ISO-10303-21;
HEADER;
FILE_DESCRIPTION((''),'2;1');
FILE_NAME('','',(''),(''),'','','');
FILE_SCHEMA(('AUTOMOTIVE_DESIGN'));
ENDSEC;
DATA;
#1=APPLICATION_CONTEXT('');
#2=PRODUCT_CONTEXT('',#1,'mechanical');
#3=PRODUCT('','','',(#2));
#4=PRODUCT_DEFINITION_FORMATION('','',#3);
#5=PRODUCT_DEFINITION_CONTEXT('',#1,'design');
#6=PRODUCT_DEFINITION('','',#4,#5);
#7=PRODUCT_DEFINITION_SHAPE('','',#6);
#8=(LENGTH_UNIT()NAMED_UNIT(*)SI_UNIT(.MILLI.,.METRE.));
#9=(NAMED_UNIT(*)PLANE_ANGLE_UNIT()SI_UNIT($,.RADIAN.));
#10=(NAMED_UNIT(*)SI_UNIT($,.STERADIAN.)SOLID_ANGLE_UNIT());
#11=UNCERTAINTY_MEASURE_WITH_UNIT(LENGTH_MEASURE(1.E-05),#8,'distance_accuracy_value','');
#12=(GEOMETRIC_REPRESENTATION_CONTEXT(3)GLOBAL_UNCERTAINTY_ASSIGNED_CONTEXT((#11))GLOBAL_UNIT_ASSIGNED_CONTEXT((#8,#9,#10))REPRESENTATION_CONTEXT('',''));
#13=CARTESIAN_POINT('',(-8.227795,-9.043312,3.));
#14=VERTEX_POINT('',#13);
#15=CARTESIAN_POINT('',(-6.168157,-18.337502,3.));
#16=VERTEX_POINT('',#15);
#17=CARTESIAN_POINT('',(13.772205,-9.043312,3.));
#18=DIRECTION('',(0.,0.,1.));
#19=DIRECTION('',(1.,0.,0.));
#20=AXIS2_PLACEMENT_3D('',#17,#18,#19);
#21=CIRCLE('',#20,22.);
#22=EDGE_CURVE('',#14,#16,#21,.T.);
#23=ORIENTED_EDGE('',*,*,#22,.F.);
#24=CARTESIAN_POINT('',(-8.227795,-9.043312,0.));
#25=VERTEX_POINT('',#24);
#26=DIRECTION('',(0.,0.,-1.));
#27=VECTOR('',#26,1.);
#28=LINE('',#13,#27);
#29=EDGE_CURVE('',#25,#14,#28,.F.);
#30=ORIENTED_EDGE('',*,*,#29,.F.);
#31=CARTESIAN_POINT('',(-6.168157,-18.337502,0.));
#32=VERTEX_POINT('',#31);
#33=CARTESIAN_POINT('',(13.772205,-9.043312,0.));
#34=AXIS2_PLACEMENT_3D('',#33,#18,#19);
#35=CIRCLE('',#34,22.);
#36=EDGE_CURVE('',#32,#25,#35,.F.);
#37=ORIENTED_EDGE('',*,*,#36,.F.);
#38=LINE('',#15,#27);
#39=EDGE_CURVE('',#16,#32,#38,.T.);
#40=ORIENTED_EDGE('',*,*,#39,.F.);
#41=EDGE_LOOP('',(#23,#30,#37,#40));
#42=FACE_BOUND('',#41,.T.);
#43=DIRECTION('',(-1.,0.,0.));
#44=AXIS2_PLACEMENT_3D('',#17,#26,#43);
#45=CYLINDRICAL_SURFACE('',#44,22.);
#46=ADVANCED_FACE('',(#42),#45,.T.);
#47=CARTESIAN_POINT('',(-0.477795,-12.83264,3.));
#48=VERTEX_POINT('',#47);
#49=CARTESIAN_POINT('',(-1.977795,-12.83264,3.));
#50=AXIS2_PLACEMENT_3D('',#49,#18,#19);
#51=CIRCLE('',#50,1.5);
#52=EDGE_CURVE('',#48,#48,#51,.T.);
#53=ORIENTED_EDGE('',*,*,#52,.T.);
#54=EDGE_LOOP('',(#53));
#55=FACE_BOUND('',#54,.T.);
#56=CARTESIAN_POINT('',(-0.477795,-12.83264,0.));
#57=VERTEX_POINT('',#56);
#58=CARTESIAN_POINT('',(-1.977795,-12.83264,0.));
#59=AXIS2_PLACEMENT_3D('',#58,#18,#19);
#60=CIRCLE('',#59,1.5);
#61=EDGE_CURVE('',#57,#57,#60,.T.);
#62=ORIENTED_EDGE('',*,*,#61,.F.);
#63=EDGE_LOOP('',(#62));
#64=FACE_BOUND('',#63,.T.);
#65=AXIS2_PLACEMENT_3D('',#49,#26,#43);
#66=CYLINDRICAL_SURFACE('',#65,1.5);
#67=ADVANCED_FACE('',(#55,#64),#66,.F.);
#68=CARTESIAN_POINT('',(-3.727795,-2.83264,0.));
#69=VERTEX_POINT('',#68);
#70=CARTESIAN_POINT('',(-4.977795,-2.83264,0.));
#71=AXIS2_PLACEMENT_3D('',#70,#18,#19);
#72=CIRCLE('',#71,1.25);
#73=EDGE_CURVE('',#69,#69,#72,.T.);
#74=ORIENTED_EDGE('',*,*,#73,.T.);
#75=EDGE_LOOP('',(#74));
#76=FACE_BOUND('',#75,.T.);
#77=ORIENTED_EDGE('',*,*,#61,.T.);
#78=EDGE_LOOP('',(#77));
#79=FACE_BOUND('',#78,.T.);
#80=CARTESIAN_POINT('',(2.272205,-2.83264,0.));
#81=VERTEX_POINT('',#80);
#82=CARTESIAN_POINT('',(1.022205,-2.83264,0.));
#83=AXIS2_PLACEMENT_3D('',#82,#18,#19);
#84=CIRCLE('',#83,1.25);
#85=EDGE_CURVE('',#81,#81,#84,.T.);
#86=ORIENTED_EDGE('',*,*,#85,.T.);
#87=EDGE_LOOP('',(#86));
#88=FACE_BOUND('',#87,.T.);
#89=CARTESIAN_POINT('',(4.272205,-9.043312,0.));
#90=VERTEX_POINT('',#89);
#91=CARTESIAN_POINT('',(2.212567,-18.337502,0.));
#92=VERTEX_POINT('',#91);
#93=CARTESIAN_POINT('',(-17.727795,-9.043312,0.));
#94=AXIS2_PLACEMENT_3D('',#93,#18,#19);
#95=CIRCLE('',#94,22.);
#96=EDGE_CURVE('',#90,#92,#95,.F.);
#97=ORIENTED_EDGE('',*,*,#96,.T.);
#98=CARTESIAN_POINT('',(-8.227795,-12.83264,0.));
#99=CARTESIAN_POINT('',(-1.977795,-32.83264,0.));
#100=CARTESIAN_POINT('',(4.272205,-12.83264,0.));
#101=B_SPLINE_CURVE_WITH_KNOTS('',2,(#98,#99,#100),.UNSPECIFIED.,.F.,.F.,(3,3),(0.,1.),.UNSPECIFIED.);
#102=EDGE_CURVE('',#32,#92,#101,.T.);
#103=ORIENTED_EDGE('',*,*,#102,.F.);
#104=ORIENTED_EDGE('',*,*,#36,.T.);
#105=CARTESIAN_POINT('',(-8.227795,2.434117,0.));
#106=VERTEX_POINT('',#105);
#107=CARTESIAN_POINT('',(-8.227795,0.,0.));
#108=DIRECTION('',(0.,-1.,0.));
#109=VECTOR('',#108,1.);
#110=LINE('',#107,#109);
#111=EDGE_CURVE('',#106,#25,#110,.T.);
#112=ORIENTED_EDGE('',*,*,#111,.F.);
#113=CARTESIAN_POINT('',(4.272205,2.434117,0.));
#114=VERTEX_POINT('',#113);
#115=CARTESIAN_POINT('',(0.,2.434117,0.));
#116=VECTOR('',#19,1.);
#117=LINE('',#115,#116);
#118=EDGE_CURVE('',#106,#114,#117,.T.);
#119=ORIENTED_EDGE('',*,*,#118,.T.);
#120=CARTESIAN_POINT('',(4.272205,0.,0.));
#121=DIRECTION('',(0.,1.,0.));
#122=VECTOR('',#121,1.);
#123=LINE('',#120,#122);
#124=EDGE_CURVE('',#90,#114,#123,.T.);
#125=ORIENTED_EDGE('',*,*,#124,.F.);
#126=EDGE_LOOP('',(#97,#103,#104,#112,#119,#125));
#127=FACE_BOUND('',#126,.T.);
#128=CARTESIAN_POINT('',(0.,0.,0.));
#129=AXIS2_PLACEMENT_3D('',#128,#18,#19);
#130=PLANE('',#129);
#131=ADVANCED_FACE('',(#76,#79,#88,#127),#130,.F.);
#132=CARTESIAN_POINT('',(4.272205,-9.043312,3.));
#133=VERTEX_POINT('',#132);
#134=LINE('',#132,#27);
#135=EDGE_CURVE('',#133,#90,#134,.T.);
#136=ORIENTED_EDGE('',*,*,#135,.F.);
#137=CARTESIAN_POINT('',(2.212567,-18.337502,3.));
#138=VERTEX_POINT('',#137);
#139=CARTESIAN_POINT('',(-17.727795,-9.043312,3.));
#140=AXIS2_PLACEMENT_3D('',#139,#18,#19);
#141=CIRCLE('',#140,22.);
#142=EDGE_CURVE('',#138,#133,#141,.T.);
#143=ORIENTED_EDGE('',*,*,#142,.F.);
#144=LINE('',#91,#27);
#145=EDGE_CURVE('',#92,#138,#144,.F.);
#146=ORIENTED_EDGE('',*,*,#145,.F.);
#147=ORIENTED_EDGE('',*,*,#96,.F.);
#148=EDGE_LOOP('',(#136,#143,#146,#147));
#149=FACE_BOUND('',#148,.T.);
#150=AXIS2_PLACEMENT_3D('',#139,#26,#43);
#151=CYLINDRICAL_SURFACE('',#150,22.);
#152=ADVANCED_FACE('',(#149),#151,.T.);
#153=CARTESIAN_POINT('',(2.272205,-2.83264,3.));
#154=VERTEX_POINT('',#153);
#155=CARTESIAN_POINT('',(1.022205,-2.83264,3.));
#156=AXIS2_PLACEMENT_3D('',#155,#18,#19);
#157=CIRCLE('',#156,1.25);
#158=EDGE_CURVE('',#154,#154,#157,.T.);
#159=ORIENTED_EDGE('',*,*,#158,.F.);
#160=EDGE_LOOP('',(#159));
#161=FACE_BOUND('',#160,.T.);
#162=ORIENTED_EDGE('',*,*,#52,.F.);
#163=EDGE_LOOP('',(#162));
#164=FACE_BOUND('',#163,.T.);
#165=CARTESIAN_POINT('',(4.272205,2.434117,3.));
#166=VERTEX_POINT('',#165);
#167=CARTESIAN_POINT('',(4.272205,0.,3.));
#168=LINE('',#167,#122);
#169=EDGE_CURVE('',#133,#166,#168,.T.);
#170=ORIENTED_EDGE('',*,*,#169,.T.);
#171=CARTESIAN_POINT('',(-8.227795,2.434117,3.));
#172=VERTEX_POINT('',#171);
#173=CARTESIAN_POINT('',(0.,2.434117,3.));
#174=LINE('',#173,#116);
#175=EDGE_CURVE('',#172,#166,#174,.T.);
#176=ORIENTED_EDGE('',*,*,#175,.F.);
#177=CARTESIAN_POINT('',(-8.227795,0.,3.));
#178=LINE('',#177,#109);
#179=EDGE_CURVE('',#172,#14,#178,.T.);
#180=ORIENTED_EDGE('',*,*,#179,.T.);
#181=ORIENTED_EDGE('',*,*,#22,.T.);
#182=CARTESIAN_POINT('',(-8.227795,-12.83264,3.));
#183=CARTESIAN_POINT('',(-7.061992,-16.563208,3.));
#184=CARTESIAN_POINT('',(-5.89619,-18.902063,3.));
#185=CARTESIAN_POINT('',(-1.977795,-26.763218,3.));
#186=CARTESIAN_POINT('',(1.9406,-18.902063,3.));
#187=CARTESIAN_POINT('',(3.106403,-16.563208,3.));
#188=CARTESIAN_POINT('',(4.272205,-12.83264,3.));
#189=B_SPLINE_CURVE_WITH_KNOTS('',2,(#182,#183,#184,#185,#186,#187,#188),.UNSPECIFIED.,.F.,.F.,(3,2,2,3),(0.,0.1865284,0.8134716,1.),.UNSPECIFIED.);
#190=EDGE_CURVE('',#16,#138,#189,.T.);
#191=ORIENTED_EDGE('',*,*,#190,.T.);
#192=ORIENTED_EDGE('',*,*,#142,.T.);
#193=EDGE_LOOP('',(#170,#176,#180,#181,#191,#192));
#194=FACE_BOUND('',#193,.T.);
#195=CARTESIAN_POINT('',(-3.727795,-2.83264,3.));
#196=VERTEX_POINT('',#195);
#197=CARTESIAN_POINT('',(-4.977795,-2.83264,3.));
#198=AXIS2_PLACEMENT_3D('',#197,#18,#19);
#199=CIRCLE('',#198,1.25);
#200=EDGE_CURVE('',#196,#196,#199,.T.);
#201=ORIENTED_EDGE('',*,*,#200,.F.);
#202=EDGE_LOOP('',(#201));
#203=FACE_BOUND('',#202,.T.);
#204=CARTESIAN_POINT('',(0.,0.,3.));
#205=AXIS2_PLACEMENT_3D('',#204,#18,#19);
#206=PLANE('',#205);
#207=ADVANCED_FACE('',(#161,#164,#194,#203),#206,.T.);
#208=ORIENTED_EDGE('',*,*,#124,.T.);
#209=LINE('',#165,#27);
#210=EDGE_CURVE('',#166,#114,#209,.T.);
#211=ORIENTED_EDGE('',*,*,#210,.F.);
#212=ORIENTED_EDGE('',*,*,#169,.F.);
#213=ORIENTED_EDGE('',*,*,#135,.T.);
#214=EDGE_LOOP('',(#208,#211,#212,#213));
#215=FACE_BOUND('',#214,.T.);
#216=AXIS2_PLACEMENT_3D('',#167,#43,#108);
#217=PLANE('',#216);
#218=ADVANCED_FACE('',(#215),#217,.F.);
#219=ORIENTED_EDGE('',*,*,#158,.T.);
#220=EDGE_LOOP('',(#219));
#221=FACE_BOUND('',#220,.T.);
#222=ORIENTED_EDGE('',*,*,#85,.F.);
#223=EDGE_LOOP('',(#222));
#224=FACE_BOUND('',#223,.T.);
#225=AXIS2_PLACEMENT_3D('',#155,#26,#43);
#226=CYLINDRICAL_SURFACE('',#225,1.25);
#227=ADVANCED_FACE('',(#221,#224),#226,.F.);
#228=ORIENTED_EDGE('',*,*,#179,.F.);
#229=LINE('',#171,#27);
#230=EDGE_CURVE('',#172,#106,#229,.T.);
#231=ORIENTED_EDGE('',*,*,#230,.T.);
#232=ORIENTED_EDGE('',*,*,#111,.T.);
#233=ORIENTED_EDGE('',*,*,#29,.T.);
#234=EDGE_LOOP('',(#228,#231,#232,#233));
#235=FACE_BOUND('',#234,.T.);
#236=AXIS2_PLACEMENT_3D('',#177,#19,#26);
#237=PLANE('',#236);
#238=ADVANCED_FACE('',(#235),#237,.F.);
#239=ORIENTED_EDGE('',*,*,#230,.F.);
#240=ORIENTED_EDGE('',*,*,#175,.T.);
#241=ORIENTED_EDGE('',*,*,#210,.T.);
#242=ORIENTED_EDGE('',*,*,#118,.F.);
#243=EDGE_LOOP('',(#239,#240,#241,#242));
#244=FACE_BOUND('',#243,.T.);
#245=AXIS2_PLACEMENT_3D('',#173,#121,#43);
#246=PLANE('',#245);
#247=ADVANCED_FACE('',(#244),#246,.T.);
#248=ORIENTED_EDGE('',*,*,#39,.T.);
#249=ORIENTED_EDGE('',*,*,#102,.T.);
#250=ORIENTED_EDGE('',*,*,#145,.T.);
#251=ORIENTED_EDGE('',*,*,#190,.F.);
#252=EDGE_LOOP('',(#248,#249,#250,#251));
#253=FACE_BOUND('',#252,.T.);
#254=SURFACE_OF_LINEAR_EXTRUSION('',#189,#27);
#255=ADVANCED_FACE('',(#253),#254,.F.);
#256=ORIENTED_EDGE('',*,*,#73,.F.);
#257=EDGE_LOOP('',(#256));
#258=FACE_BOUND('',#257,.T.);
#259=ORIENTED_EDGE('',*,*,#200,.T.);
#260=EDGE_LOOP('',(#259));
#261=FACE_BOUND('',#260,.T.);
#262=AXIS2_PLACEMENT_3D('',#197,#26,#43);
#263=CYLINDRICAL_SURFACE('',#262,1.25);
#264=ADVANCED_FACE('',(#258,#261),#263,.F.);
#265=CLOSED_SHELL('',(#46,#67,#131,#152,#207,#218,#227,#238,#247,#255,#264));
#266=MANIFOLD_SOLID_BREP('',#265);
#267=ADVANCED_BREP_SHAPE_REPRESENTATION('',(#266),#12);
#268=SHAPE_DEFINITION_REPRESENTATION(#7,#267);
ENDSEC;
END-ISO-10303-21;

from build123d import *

# Parameters (mm, degrees)
ESQUISSE1_R        = 1.25
ESQUISSE1_R_2      = 1.5
BOSS_EXTRU_1_DEPTH = 3
CONG_3_R           = 22
CONG_4_R           = 22


with BuildPart() as part:
    # Esquisse1 → Boss.-Extru.1 (new body)
    with BuildSketch(Plane.XY):
        with BuildLine():
            Line((-8.227794557, 2.434117026), (4.272205443, 2.434117026))
            Line((4.272205443, 2.434117026), (4.272205443, -12.832640321))
            add(Edge.make_bspline(
                [(-8.227794557, -12.832640321), (-1.977794557, -32.832640321), (4.272205443, -12.832640321)],
                knots=[0, 0, 0, 1, 1, 1], degree=2))
            Line((-8.227794557, -12.832640321), (-8.227794557, 2.434117026))
        make_face()
        with Locations((-4.977794557, -2.832640321)):
            Circle(ESQUISSE1_R, mode=Mode.SUBTRACT)
        with Locations((1.022205443, -2.832640321)):
            Circle(ESQUISSE1_R, mode=Mode.SUBTRACT)
        with Locations((-1.977794557, -12.832640321)):
            Circle(ESQUISSE1_R_2, mode=Mode.SUBTRACT)
    extrude(amount=BOSS_EXTRU_1_DEPTH)

    # Congé3
    cong_3_edges = [part.edges().sort_by_distance(p)[0] for p in [
        (4.272205443, -12.832640321, 1.5),
    ]]
    fillet(cong_3_edges, radius=CONG_3_R)

    # Congé4
    cong_4_edges = [part.edges().sort_by_distance(p)[0] for p in [
        (-8.227794557, -12.832640321, 1.5),
    ]]
    fillet(cong_4_edges, radius=CONG_4_R)


solid = part.part
